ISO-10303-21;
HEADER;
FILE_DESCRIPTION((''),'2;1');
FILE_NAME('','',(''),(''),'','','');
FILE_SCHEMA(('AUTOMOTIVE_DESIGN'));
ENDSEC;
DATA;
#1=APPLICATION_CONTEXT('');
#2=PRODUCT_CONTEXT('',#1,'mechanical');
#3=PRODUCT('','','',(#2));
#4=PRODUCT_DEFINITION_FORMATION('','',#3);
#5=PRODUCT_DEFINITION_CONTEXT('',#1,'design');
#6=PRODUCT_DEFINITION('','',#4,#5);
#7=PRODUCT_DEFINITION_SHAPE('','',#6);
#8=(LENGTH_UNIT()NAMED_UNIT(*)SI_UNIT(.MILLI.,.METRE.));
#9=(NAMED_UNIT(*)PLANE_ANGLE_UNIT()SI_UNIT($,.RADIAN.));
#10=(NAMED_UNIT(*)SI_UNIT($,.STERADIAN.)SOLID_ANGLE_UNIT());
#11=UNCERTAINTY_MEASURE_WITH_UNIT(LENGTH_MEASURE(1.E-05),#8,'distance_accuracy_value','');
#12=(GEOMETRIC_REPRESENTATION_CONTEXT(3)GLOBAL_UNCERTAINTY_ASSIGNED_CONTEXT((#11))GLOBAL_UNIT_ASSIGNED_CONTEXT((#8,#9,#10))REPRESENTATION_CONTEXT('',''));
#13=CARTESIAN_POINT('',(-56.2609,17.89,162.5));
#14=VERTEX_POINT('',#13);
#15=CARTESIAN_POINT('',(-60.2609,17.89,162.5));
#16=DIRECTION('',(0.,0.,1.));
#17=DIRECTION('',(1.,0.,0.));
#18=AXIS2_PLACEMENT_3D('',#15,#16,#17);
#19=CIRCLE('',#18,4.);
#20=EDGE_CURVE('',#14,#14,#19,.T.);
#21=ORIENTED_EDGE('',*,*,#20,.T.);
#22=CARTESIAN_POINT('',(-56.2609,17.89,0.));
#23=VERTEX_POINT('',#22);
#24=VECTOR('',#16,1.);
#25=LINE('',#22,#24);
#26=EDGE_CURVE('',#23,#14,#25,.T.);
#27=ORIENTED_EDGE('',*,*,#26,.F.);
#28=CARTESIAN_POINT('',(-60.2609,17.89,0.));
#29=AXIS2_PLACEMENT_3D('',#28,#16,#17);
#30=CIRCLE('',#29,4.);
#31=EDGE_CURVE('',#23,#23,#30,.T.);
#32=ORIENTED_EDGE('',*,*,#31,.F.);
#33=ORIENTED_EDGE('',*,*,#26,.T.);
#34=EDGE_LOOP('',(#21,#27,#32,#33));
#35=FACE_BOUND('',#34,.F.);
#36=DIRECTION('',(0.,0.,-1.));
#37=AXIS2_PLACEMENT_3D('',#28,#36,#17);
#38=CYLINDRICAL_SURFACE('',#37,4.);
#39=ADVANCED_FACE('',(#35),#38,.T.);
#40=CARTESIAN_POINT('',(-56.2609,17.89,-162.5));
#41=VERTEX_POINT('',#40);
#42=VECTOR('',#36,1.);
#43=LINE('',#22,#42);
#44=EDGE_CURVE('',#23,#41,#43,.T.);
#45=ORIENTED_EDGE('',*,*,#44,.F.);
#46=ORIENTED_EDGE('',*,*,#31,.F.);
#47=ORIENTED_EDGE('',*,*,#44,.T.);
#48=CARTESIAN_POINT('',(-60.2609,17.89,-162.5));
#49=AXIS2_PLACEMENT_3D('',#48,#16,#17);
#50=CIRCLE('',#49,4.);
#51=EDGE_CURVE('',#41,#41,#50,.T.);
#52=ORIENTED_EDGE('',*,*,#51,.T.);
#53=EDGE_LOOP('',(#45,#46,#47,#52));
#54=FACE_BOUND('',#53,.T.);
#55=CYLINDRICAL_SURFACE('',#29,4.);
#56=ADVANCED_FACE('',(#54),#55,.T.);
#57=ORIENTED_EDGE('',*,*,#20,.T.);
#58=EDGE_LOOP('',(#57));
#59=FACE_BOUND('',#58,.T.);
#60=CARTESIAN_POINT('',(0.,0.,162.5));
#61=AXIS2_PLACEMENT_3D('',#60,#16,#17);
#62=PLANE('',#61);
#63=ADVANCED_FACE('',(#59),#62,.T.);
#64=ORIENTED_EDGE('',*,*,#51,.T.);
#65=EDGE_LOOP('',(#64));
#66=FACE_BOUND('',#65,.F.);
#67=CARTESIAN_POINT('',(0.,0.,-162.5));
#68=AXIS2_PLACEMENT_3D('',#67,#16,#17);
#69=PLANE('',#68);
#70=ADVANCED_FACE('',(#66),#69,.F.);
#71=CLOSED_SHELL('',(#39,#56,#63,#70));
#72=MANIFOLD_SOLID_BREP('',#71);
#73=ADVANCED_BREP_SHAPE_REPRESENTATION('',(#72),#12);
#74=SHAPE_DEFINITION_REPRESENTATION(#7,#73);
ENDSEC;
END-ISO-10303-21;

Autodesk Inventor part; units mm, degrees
ref_plane "YZ Plane" through (0, 0, 0) normal (1, 0, 0) x (0, 1, 0)
ref_plane "XZ Plane" through (0, 0, 0) normal (0, 1, 0) x (-1, 0, 0)
ref_plane "XY Plane" through (0, 0, 0) normal (0, 0, 1) x (1, 0, 0)
ref_plane "Work Plane1" through (0, 0, 0) normal (0, 0, 1) x (1, 0, 0)
sketch "Sketch1" plane through (0, 0, 0) normal (0, 0, 1) x (1, 0, 0)
  circle A0 centre (-60.2609, 17.89) radius 5 construction
  circle A1 centre (60.2609, 17.89) radius 5 construction
  circle A2 centre (-60.2609, 17.89) radius 4
  point P0 (0, 0)
  dimension "d0" = 8
extrude "Extrusion1" add sketch "Sketch1" along normal mid plane 325
properties part number "barraY"
